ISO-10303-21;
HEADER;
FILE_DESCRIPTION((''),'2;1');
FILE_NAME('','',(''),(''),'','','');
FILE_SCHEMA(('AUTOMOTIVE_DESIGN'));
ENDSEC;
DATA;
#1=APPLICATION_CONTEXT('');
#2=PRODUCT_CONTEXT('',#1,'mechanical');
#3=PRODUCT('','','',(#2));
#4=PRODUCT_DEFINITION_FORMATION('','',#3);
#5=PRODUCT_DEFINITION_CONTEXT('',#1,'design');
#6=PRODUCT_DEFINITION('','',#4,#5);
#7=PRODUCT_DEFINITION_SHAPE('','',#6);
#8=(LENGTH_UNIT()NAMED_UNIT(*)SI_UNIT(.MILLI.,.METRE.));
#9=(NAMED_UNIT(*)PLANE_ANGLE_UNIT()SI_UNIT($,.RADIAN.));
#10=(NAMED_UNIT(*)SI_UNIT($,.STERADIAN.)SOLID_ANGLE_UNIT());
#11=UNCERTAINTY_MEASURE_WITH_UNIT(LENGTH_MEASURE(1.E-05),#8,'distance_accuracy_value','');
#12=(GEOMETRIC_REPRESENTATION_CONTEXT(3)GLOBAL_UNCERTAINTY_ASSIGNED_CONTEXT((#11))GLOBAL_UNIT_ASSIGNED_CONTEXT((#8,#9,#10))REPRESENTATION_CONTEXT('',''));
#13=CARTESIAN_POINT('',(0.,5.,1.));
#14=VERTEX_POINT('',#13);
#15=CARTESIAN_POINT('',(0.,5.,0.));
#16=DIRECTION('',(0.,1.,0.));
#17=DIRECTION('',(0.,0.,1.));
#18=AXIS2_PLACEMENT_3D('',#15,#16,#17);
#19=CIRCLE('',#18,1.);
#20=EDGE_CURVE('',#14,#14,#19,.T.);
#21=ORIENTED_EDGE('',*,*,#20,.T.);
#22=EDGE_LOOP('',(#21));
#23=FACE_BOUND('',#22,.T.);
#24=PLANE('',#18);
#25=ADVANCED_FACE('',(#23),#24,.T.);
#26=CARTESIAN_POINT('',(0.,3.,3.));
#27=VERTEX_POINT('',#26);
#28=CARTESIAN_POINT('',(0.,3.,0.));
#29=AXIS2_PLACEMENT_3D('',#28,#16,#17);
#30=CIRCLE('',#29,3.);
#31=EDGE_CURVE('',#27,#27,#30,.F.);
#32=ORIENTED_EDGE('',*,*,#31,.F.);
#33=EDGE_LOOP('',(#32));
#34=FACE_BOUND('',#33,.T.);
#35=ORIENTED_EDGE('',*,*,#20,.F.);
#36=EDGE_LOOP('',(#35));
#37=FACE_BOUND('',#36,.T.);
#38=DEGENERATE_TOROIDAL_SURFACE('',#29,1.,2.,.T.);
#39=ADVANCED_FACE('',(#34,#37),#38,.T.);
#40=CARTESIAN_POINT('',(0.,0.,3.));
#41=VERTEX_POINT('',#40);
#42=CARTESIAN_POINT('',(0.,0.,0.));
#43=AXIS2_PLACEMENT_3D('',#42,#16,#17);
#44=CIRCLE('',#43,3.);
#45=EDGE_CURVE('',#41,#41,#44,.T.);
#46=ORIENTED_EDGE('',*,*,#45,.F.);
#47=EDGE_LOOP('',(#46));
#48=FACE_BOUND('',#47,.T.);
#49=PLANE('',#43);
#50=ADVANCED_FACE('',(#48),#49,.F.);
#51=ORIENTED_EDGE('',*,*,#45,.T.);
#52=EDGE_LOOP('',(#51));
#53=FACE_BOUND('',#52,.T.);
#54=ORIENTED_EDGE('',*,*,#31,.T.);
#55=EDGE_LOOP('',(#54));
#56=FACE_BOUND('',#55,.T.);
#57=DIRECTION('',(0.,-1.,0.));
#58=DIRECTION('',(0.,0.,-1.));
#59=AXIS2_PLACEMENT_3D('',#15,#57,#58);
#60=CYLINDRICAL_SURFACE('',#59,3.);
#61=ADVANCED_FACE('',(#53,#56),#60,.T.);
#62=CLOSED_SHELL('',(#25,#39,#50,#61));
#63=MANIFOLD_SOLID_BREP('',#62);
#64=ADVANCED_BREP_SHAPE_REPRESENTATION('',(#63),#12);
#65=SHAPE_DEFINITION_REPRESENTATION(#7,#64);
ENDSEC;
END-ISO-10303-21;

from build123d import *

# Parameters (mm, degrees)
SKETCH_1_R      = 3
EXTRUDE_1_DEPTH = 5
FILLET_2_R      = 2


with BuildPart() as part:
    # Эскиз1 → Бобышка-Вытянуть1 (new body)
    with BuildSketch(Plane(origin=(0, 0, 0), x_dir=(1, 0, 0), z_dir=(0, 1, 0))):
        Circle(SKETCH_1_R)
    extrude(amount=EXTRUDE_1_DEPTH)

    # Скругление2
    fillet_2_edges = [part.edges().sort_by_distance(p)[0] for p in [
        (-3, 5, 0),
    ]]
    fillet(fillet_2_edges, radius=FILLET_2_R)


solid = part.part
